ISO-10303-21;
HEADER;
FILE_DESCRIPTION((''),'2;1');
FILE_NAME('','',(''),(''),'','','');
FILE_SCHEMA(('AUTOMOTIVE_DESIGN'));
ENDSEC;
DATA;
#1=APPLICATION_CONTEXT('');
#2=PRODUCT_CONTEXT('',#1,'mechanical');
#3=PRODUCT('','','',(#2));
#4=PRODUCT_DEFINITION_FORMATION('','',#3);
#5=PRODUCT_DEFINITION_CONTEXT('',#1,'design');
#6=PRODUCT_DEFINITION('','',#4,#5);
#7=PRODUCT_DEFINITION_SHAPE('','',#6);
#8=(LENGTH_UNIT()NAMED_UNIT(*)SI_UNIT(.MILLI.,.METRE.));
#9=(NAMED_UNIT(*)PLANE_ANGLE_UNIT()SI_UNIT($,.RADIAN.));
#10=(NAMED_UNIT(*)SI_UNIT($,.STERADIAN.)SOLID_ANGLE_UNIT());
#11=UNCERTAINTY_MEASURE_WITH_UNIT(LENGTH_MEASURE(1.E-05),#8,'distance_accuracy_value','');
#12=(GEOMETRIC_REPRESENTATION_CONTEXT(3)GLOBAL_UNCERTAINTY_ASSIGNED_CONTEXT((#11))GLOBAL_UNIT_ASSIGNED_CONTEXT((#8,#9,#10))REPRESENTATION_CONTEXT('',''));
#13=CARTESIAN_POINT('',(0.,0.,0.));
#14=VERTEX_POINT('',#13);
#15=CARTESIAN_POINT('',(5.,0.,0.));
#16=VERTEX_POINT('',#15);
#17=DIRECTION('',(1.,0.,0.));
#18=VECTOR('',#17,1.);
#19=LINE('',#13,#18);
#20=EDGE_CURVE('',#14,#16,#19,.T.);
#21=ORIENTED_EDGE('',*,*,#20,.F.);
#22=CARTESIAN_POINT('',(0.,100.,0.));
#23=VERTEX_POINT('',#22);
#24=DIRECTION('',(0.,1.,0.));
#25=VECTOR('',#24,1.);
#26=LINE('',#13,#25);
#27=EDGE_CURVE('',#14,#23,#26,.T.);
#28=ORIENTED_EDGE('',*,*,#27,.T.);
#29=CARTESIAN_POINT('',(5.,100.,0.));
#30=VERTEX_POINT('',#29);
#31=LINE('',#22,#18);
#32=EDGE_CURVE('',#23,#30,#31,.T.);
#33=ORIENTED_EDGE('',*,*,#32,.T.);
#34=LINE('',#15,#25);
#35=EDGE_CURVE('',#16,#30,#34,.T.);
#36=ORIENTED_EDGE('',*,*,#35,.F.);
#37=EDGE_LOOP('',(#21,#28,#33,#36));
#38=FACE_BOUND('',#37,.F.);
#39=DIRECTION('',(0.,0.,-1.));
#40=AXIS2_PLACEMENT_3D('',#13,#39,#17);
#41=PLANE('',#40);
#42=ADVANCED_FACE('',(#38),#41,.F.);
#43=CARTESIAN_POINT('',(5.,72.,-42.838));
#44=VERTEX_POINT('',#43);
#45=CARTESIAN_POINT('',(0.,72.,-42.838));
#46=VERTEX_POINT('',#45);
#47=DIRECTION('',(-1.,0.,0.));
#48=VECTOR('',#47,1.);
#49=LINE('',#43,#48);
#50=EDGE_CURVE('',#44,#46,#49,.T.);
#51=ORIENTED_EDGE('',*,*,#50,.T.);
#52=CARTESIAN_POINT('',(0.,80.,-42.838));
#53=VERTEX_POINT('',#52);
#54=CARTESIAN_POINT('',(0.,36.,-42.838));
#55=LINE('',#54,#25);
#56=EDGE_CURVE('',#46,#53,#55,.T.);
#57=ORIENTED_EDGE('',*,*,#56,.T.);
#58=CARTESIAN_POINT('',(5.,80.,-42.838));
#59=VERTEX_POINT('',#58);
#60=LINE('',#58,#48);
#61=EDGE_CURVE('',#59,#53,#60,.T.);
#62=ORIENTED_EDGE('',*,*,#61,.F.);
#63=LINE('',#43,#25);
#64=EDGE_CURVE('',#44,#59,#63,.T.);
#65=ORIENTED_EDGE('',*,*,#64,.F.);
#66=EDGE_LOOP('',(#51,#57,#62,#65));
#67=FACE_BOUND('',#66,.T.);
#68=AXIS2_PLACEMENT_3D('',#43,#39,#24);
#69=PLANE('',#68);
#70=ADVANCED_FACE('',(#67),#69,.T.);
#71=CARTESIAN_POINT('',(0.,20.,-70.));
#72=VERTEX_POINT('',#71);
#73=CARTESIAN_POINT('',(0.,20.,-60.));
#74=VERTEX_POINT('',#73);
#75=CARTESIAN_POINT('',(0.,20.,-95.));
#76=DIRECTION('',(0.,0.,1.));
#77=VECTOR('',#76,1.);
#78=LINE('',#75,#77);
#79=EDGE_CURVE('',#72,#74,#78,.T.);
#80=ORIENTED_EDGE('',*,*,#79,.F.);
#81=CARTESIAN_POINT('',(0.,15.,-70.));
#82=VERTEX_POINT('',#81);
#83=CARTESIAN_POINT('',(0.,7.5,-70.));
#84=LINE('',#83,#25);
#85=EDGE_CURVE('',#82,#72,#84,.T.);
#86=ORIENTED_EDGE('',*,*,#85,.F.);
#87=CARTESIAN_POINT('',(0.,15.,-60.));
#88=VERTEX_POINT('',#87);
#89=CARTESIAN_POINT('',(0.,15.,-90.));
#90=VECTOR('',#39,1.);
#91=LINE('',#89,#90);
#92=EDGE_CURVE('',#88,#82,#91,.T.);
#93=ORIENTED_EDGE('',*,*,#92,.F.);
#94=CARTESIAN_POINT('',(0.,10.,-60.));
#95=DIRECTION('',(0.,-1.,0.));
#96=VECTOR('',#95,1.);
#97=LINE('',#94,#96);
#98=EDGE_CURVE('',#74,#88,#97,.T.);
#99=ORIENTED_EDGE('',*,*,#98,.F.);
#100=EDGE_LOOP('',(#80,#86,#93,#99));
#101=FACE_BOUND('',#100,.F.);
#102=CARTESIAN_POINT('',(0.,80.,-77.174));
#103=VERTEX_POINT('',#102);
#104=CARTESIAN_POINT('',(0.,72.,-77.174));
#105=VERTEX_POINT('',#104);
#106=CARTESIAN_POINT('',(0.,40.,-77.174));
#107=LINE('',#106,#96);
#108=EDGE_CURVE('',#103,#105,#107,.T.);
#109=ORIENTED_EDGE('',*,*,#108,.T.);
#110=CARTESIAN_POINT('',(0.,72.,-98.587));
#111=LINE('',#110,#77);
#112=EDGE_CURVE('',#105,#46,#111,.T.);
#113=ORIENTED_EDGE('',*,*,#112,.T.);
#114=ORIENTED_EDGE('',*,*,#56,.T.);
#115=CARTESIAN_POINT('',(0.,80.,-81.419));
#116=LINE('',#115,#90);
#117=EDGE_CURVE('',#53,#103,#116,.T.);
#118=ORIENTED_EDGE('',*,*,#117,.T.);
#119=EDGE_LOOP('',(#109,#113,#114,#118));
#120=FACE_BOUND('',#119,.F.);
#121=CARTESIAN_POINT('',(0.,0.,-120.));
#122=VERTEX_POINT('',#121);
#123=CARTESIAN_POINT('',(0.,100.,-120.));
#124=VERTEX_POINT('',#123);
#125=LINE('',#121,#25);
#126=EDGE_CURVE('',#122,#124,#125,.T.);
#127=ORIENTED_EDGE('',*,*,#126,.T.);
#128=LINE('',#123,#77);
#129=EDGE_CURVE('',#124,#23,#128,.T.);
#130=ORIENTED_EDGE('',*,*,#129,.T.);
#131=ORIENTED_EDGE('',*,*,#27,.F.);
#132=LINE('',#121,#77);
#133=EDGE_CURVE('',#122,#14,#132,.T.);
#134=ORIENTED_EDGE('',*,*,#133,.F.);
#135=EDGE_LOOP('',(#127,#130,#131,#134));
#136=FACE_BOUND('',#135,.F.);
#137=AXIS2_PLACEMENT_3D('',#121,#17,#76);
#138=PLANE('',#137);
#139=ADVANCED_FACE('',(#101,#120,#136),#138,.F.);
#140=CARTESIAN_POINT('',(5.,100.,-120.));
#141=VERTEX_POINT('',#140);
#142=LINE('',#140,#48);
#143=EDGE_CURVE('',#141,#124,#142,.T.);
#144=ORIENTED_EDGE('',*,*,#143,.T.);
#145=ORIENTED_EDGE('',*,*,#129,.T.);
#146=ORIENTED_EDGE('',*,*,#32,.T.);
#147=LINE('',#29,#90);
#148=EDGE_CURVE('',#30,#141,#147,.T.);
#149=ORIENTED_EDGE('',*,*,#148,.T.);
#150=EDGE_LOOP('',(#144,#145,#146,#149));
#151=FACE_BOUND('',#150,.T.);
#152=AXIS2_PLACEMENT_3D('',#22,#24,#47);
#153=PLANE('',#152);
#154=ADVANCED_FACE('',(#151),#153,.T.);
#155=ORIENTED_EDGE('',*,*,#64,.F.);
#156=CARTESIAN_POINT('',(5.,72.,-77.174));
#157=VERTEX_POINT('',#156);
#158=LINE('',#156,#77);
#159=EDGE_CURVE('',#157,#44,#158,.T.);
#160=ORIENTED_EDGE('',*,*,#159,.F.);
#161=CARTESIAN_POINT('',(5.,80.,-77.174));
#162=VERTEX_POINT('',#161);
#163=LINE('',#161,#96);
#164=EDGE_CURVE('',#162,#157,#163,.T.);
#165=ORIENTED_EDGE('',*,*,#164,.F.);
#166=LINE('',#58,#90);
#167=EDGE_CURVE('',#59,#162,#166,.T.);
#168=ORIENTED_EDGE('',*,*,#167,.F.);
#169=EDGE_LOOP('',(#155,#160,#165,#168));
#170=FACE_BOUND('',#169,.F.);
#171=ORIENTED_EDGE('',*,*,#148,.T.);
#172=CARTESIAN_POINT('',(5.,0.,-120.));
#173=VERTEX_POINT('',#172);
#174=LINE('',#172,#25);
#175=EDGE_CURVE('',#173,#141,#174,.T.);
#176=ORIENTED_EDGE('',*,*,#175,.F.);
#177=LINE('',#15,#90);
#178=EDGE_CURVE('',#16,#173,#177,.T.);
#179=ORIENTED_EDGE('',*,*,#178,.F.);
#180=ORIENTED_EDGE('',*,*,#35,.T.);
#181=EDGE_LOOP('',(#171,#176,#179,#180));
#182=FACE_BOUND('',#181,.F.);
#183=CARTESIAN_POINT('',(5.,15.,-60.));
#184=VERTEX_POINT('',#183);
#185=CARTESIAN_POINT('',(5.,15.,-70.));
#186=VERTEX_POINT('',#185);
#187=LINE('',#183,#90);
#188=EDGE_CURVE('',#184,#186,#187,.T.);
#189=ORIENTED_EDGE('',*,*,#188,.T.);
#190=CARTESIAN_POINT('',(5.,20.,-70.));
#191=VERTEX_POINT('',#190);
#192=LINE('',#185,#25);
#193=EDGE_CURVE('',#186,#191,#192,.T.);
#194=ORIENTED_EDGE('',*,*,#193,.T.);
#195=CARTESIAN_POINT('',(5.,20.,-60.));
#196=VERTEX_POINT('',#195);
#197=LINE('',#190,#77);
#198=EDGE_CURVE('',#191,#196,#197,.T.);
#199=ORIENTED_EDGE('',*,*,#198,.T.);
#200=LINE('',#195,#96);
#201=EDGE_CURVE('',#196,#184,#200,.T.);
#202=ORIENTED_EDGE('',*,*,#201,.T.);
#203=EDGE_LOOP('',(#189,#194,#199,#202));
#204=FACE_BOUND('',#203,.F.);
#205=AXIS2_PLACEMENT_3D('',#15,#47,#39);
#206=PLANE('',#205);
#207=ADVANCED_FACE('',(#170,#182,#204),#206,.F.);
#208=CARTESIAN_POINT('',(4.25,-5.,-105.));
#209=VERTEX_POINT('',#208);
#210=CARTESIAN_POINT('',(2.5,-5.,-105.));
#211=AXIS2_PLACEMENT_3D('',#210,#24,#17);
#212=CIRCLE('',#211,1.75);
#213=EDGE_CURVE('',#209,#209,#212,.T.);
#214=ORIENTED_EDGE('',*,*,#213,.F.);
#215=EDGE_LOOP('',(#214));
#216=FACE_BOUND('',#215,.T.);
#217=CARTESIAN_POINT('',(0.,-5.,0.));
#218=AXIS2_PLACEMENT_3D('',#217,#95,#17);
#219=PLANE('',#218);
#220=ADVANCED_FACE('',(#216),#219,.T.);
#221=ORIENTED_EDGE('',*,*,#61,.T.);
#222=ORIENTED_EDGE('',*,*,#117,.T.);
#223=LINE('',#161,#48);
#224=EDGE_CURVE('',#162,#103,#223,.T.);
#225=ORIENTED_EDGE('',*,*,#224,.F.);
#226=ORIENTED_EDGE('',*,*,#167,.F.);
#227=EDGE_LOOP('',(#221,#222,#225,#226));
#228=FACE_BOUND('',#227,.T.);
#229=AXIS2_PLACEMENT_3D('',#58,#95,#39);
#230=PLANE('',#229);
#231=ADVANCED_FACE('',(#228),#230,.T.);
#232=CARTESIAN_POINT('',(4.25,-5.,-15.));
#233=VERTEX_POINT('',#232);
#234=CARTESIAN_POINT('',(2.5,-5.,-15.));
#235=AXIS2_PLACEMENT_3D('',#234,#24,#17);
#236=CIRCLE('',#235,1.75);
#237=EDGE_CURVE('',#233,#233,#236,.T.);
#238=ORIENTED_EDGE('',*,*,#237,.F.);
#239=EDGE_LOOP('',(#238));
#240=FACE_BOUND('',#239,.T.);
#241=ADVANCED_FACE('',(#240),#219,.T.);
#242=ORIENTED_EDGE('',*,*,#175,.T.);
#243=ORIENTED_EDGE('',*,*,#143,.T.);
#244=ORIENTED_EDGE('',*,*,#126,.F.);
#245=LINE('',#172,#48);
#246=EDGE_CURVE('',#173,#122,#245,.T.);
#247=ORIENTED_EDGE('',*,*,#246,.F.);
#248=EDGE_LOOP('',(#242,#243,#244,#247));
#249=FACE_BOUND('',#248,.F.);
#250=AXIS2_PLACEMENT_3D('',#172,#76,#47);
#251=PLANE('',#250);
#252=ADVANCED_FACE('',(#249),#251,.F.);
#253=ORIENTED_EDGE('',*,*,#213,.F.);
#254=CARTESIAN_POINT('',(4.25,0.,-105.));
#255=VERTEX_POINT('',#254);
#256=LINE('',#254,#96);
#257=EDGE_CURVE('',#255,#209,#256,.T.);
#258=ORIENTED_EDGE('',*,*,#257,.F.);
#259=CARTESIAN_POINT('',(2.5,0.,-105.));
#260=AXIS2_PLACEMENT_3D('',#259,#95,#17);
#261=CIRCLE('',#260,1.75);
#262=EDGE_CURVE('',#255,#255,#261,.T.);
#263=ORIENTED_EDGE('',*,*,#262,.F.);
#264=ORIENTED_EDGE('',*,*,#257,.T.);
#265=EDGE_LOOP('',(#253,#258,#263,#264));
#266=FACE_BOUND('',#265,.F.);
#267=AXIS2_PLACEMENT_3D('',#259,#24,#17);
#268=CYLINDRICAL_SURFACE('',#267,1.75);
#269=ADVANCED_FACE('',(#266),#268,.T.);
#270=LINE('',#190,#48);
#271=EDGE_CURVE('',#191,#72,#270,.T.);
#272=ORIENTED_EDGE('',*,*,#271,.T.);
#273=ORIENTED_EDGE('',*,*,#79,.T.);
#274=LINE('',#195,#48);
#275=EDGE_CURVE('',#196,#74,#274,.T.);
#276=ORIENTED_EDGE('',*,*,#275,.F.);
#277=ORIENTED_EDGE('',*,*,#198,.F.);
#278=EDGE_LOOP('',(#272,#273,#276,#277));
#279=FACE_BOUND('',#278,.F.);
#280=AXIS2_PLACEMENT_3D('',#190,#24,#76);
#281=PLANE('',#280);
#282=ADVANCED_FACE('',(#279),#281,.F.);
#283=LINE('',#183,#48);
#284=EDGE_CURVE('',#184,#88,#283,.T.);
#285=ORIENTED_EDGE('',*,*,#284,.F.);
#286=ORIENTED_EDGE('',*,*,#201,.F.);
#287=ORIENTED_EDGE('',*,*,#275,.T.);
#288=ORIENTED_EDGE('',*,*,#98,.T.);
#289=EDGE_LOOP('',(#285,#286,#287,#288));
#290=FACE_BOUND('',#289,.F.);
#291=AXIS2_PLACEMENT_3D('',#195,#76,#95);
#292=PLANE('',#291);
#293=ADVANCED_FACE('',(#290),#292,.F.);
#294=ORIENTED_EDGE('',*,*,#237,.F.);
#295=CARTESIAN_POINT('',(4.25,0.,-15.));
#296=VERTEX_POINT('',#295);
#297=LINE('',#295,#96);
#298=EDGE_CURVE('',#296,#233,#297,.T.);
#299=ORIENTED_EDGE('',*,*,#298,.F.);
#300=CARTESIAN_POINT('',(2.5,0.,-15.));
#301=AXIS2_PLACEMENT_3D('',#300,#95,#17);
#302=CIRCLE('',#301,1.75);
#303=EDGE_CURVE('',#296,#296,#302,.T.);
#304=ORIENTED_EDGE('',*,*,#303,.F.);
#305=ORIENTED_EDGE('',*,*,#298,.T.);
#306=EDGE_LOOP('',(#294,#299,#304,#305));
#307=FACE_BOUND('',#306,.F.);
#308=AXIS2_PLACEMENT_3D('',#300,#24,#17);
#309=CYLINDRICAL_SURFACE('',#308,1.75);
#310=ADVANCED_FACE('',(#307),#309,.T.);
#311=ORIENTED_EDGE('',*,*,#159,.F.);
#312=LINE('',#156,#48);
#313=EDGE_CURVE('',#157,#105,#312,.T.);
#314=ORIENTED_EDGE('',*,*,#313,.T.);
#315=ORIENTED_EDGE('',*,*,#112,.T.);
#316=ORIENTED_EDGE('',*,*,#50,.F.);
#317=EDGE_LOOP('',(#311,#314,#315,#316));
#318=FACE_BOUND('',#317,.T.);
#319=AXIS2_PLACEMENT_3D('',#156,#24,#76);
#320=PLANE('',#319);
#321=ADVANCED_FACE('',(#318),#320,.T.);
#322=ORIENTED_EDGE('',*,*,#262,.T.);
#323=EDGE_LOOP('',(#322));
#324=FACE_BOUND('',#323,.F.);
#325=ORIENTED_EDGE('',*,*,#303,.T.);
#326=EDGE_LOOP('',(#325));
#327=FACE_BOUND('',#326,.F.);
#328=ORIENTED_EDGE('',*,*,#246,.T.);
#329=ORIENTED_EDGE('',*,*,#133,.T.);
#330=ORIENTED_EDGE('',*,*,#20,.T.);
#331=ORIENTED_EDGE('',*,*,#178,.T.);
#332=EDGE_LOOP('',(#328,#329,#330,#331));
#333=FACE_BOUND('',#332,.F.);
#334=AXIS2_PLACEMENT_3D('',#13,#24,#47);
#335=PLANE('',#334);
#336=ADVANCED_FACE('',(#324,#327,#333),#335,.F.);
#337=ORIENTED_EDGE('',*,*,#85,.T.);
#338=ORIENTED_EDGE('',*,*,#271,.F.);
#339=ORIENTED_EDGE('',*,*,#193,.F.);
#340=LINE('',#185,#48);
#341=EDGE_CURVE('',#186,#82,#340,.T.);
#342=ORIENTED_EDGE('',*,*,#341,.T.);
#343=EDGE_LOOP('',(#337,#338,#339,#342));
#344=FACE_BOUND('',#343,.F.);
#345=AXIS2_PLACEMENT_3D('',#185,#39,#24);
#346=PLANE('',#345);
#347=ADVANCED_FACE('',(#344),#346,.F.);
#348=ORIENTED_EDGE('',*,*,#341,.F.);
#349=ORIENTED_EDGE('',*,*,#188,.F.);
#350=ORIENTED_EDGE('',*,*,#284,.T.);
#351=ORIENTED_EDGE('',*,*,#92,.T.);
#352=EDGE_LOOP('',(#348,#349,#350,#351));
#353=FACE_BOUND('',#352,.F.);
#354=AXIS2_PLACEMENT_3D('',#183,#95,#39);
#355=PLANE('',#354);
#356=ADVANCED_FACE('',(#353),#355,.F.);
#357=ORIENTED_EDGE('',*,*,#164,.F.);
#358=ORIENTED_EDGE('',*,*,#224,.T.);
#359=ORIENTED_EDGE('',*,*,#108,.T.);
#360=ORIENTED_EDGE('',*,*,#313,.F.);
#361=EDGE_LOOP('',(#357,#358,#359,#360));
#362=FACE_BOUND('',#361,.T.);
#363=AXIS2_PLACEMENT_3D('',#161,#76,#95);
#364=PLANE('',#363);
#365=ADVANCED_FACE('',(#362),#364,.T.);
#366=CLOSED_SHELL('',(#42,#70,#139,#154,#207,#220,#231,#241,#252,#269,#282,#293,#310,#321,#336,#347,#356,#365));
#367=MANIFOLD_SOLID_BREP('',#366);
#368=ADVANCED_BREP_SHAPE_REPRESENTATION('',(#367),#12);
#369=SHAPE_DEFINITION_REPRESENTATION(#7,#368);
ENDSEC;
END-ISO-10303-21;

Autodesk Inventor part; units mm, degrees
ref_plane "YZ Plane" through (0, 0, 0) normal (1, 0, 0) x (0, 1, 0)
ref_plane "XZ Plane" through (0, 0, 0) normal (0, 1, 0) x (-1, 0, 0)
ref_plane "XY Plane" through (0, 0, 0) normal (0, 0, 1) x (1, 0, 0)
sketch "Sketch1" plane through (0, 0, 0) normal (0, 1, 0) x (-1, 0, 0)
  line L0 (0, 0) -> (-5, 0)
  line L1 (-5, 0) -> (-5, -120)
  line L2 (-5, -120) -> (0, -120)
  line L3 (0, -120) -> (0, 0)
  dimension "d0" = 5
  dimension "d1" = 120
extrude "Extrusion1" add sketch "Sketch1" along normal blind 100
sketch "Sketch2" plane through (0, 0, 0) normal (0, -1, 0) x (1, 0, 0)
  line L0 (0, -120) -> (0, 0) projected
  line L1 (0, 0) -> (2.5, 0)
  line L2 (2.5, 0) -> (2.5, -15)
  line L3 (2.5, -15) -> (0, -15)
  line L4 (0, -15) -> (0, 0)
  circle A0 centre (2.5, -15) radius 1.75
  dimension "d4" = 2.5
  dimension "d5" = 15
  dimension "d6" = 3.5
extrude "Extrusion2" add sketch "Sketch2" along normal blind 5 contours A0 L2 L3 | L3 L2 A0
sketch "Sketch3" plane through (0, 0, 0) normal (0, -1, 0) x (1, 0, 0)
  line L0 (5, 0) -> (5, -120) projected
  line L1 (5, -120) -> (2.5, -120)
  line L2 (2.5, -120) -> (2.5, -105)
  line L3 (2.5, -105) -> (5, -105)
  line L4 (5, -105) -> (5, -120)
  circle A0 centre (2.5, -105) radius 1.75
  point P0 (0, 0)
  dimension "d9" = 2.5
  dimension "d10" = 15
  dimension "d11" = 3.5
extrude "Extrusion3" add sketch "Sketch3" along normal blind 5 contours A0 L2 L3 | L3 L2 A0
sketch "Sketch4" plane through (5, 0, 0) normal (1, 0, 0) x (0, 0, -1)
  point P0 (0, 0)
sketch "Sketch5" plane through (5, 0, 0) normal (1, 0, 0) x (0, 0, -1)
  point P0 (0, 0)
sketch "Sketch6" plane through (5, 0, 0) normal (1, 0, 0) x (0, 0, -1)
  point P0 (0, 0)
sketch "Sketch7" plane through (5, 0, 0) normal (1, 0, 0) x (0, 0, -1)
  line L0 (120, 100) -> (0, 100) projected
  line L1 (0, 100) -> (42.838, 100)
  line L2 (42.838, 100) -> (42.838, 80)
  line L3 (42.838, 80) -> (0, 80)
  line L4 (0, 80) -> (0, 100)
  line L5 (42.838, 80) -> (77.174, 80)
  line L6 (77.174, 80) -> (77.174, 72)
  line L7 (77.174, 72) -> (42.838, 72)
  line L8 (42.838, 72) -> (42.838, 80)
  point P0 (0, 0)
  dimension "d14" = 42.838
  dimension "d15" = 20
  dimension "d16" = 34.336
  dimension "d17" = 8
extrude "Extrusion4" cut sketch "Sketch7" against normal blind 10 contours L5 L6 L7 L8
sketch "Sketch8" plane through (5, 0, 0) normal (1, 0, 0) x (0, 0, -1)
  line L0 (0, 0) -> (60, 0)
  line L1 (60, 0) -> (60, 15)
  line L2 (60, 15) -> (0, 15)
  line L3 (0, 15) -> (0, 0)
  line L4 (60, 15) -> (70, 15)
  line L5 (70, 15) -> (70, 20)
  line L6 (70, 20) -> (60, 20)
  line L7 (60, 20) -> (60, 15)
  dimension "d20" = 60
  dimension "d21" = 15
  dimension "d22" = 10
  dimension "d23" = 5
extrude "Extrusion5" cut sketch "Sketch8" against normal blind 10 contours L7 L6 L5 L4
properties part number "expo3"
